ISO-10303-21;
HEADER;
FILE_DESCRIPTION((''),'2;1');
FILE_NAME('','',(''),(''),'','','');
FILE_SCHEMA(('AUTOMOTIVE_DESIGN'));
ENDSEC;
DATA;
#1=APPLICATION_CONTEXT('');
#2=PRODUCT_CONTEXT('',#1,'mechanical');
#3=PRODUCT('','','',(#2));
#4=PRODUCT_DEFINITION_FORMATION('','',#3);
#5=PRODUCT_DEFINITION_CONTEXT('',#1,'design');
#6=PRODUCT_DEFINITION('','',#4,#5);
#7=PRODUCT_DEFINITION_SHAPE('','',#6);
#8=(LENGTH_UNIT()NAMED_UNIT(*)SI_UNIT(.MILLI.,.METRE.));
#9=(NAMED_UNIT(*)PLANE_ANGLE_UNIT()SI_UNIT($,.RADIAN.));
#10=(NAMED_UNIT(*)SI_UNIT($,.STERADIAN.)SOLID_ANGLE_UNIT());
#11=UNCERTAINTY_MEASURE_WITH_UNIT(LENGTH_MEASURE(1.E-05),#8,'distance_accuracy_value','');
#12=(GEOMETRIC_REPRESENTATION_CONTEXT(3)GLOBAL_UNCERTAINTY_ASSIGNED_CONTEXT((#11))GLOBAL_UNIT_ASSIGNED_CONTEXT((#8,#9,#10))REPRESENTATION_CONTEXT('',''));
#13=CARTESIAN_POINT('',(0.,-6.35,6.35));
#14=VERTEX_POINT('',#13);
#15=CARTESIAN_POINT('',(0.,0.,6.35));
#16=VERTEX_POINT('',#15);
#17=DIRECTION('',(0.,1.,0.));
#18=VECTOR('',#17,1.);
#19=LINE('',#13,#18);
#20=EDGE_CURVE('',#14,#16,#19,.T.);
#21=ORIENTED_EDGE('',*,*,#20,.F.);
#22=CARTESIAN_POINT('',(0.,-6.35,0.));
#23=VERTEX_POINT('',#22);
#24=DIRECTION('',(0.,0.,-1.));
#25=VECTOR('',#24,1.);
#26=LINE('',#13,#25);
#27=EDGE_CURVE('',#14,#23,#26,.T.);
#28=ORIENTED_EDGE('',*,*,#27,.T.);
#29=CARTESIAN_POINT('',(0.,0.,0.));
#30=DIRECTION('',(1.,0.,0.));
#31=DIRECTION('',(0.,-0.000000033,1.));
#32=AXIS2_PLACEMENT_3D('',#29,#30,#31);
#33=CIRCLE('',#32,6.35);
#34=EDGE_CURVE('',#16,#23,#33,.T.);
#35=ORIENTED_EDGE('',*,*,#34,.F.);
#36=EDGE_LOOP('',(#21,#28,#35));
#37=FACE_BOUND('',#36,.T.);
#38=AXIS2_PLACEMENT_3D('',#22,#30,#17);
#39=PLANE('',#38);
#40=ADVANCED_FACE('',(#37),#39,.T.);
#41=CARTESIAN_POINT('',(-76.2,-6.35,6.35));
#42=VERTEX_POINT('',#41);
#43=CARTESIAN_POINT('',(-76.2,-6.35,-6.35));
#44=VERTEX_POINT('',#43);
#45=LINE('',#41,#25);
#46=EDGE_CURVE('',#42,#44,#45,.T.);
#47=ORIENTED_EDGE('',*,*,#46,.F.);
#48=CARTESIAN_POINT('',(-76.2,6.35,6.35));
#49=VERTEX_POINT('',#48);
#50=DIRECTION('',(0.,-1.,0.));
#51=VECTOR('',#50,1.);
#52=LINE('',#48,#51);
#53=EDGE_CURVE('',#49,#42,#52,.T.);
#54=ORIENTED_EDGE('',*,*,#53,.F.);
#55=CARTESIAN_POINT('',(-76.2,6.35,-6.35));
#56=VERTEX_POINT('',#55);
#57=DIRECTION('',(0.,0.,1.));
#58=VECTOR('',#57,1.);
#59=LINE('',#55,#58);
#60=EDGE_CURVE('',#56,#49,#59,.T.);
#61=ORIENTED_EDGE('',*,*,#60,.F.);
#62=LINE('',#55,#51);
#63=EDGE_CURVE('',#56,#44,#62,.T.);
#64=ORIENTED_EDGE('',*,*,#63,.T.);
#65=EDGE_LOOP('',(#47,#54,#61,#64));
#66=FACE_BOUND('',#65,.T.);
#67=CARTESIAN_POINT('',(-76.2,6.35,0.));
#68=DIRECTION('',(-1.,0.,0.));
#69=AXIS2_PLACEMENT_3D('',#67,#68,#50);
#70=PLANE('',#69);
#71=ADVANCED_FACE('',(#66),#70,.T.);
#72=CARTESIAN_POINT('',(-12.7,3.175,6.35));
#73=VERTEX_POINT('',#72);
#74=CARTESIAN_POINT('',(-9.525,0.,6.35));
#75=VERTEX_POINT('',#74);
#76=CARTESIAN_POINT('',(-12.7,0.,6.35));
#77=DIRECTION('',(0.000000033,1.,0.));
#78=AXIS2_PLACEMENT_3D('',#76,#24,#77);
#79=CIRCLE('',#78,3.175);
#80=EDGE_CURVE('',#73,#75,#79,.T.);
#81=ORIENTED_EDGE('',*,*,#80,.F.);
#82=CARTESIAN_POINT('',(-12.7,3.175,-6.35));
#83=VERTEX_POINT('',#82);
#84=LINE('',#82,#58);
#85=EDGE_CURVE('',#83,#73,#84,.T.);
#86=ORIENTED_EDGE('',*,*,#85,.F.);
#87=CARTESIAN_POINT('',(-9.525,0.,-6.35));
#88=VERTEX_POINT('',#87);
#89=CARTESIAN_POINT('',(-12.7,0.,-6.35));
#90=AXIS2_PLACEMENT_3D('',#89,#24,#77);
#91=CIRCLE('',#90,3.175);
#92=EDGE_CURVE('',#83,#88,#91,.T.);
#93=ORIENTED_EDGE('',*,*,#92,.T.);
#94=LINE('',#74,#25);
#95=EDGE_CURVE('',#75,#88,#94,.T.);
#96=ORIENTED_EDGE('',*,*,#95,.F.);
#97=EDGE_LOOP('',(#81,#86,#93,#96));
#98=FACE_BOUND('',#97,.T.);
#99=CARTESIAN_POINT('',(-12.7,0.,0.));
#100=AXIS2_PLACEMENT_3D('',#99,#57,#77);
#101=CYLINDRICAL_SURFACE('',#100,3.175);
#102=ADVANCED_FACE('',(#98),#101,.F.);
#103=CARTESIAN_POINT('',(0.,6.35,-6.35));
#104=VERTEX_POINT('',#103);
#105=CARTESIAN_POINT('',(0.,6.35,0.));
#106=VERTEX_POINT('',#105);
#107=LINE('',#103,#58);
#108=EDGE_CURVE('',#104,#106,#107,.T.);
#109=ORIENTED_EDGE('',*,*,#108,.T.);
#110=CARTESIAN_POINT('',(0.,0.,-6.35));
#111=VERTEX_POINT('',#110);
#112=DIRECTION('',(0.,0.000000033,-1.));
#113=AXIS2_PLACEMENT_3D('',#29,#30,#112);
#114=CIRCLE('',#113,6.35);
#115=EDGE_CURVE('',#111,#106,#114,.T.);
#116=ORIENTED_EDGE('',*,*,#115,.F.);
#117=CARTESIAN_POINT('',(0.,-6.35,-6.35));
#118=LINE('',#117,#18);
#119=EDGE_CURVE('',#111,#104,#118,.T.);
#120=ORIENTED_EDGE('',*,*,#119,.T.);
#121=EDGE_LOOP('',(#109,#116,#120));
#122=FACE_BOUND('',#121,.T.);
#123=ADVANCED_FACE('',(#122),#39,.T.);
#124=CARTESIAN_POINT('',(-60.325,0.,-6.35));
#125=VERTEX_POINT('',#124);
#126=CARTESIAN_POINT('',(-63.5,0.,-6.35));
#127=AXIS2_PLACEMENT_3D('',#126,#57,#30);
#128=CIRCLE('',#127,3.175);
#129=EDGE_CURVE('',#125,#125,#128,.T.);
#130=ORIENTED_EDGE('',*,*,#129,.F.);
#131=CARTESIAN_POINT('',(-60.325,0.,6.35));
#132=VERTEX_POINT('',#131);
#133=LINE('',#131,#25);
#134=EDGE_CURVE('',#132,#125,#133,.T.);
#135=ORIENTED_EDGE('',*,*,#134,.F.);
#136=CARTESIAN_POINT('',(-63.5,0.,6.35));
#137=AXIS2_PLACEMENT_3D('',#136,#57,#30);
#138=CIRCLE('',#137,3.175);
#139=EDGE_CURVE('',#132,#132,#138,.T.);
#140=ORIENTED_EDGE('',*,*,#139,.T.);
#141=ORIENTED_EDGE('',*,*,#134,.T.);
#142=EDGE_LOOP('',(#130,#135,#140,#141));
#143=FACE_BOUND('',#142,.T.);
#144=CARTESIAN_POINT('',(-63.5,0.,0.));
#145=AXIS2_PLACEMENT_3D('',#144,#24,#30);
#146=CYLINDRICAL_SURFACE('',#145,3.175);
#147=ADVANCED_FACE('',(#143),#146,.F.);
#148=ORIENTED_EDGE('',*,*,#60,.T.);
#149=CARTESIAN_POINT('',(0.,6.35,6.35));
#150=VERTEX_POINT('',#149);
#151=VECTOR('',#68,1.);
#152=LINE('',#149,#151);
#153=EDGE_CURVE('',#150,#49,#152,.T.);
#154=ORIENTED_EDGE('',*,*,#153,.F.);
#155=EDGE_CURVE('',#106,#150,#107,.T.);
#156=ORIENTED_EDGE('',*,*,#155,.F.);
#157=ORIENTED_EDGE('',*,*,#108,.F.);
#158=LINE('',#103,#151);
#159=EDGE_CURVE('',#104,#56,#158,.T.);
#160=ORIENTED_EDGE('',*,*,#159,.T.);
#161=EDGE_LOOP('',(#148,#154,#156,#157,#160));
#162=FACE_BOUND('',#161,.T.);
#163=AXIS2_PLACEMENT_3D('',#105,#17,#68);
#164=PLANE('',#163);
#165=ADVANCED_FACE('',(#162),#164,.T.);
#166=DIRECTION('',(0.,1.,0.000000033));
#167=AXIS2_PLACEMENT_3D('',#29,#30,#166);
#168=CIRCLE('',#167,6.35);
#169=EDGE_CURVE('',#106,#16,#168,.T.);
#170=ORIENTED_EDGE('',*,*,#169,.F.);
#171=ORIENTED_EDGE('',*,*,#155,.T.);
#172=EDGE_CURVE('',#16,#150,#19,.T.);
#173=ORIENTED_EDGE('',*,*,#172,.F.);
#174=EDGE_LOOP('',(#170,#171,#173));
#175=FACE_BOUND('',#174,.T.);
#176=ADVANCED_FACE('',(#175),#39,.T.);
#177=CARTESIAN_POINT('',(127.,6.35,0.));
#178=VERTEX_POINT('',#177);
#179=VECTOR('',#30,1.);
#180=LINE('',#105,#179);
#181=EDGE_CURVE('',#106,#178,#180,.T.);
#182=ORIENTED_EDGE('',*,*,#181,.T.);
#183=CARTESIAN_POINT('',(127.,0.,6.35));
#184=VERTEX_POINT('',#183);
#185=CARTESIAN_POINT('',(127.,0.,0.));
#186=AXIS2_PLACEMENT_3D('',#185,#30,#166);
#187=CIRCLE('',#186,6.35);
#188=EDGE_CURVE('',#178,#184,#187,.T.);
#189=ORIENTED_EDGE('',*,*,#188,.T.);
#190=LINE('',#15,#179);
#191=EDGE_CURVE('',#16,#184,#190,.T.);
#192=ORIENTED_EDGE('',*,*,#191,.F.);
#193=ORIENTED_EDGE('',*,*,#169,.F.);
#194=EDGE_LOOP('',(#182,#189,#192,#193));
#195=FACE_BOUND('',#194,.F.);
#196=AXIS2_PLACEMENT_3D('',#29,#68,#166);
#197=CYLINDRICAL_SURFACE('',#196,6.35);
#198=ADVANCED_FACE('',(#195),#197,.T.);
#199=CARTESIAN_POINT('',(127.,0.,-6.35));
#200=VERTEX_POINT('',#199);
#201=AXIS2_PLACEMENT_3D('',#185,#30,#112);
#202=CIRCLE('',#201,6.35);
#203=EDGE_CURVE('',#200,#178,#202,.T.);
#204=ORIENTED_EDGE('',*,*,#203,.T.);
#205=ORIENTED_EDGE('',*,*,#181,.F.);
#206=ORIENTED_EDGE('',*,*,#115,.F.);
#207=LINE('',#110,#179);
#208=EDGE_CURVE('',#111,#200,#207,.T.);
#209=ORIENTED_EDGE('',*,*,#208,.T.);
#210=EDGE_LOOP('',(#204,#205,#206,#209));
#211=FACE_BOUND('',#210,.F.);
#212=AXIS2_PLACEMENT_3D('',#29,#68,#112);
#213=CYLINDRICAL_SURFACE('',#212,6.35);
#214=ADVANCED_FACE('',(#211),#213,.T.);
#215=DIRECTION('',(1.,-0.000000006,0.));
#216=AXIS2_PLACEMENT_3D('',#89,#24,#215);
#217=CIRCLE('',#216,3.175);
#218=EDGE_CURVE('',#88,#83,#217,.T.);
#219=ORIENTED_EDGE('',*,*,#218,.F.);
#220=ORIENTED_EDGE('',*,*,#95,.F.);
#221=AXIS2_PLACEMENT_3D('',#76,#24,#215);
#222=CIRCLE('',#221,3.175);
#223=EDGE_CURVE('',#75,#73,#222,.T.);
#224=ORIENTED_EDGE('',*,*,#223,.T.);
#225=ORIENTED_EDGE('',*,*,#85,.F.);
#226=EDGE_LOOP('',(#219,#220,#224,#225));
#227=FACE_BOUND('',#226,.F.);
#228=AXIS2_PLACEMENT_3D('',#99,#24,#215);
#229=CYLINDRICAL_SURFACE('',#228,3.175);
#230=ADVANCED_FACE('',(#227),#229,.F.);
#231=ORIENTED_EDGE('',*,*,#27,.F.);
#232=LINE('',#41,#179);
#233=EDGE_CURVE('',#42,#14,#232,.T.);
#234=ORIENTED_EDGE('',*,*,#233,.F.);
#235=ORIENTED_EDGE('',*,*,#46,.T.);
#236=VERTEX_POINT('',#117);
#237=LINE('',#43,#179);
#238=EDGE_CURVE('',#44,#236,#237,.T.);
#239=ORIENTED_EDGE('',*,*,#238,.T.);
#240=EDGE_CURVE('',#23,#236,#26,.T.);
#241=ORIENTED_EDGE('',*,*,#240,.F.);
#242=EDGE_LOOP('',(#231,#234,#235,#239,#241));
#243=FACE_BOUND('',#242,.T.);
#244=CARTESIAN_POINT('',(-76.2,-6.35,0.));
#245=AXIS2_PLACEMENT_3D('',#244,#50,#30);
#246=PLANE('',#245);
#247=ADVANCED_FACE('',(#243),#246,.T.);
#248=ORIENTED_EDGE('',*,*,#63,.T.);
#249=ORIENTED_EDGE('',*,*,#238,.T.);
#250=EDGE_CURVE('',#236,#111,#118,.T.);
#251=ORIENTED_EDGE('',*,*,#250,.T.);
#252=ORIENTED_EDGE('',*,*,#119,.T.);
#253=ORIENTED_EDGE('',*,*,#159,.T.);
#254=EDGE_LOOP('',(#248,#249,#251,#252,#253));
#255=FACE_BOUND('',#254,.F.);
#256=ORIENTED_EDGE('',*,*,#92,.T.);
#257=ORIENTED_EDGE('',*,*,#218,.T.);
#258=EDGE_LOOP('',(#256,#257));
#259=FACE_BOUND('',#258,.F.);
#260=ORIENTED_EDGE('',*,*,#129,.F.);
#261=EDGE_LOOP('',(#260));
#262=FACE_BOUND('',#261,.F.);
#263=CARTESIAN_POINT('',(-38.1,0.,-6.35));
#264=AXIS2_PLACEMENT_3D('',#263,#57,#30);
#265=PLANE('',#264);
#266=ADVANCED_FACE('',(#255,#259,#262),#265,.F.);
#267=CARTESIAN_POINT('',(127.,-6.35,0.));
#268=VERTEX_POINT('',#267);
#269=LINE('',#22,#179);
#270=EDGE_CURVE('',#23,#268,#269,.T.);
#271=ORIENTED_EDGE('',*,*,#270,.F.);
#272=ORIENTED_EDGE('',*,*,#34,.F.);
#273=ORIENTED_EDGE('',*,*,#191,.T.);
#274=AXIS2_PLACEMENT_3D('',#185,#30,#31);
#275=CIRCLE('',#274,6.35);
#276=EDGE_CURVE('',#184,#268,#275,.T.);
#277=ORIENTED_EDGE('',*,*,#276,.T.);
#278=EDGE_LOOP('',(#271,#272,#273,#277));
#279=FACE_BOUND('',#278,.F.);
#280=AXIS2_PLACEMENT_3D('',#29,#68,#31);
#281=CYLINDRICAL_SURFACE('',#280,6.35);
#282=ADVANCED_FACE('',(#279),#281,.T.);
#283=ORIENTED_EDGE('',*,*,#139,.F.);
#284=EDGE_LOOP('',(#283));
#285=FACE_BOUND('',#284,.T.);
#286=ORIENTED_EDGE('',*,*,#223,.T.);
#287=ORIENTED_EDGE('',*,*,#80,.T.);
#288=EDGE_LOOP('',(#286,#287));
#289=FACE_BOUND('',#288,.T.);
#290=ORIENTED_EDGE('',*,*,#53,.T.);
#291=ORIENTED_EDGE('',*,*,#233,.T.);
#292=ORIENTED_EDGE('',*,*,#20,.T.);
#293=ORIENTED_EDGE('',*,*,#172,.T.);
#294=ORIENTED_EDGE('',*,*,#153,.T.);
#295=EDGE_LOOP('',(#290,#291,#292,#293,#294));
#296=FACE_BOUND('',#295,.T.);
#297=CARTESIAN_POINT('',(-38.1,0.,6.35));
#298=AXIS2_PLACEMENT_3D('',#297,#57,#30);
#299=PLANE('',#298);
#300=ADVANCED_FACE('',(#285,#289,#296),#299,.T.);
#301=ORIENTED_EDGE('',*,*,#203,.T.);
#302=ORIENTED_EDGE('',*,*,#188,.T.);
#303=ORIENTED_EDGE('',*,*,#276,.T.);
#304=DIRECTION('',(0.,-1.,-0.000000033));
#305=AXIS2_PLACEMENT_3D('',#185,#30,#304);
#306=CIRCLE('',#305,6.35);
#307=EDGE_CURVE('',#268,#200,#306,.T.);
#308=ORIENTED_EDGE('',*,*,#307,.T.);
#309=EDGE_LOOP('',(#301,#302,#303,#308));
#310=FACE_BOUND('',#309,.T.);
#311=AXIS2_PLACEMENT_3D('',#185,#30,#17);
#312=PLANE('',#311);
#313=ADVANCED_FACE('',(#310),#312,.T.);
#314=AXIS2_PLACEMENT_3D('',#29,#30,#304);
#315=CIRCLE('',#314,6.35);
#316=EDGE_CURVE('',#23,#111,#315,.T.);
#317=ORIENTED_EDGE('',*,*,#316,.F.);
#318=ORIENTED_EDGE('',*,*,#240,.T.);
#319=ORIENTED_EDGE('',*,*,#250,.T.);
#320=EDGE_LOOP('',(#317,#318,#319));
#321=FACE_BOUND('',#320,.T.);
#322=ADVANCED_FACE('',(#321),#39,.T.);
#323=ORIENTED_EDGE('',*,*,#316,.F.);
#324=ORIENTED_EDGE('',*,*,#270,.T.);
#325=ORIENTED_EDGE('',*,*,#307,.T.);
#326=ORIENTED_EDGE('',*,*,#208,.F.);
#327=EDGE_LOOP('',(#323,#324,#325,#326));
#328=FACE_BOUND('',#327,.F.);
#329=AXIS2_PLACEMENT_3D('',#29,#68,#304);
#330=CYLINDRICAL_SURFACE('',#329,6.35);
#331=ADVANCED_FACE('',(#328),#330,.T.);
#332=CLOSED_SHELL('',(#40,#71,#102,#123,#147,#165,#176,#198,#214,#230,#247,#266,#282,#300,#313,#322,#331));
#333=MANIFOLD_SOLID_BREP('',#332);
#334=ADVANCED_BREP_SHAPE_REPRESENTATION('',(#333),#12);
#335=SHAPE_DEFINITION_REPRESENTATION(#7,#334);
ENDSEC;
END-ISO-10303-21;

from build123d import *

# Parameters (mm, degrees)
F0_R     = 3.175
F1_DEPTH = 6.35
F3_DEPTH = 127


with BuildPart() as f1:
    # F0 (on Top) → F1 (new body, symmetric)
    with BuildSketch(Plane.XY):
        Polygon((0, -6.35), (0, 0), (0, 6.35), (-12.7, 6.35), (-76.2, 6.35), (-76.2, -6.35), align=None)
        with Locations((-63.5, 0)):
            Circle(F0_R, mode=Mode.SUBTRACT)
        with BuildLine():
            ThreePointArc((-9.525, 0), (-14.945064, -2.245064), (-12.7, 3.175))
            ThreePointArc((-12.7, 3.175), (-10.454936, 2.245064), (-9.525, 0))
        make_face(mode=Mode.SUBTRACT)
    extrude(amount=F1_DEPTH, both=True)

    # F2 (on face) → F3 (join)
    with BuildSketch(Plane.YZ):
        with BuildLine():
            ThreePointArc((0, -6.35), (4.490128, -4.490128), (6.35, 0))
            ThreePointArc((6.35, 0), (4.490128, 4.490128), (0, 6.35))
            ThreePointArc((0, 6.35), (-4.490128, 4.490128), (-6.35, 0))
            ThreePointArc((-6.35, 0), (-4.490128, -4.490128), (0, -6.35))
        make_face()
    extrude(amount=F3_DEPTH)


solid = f1.part
